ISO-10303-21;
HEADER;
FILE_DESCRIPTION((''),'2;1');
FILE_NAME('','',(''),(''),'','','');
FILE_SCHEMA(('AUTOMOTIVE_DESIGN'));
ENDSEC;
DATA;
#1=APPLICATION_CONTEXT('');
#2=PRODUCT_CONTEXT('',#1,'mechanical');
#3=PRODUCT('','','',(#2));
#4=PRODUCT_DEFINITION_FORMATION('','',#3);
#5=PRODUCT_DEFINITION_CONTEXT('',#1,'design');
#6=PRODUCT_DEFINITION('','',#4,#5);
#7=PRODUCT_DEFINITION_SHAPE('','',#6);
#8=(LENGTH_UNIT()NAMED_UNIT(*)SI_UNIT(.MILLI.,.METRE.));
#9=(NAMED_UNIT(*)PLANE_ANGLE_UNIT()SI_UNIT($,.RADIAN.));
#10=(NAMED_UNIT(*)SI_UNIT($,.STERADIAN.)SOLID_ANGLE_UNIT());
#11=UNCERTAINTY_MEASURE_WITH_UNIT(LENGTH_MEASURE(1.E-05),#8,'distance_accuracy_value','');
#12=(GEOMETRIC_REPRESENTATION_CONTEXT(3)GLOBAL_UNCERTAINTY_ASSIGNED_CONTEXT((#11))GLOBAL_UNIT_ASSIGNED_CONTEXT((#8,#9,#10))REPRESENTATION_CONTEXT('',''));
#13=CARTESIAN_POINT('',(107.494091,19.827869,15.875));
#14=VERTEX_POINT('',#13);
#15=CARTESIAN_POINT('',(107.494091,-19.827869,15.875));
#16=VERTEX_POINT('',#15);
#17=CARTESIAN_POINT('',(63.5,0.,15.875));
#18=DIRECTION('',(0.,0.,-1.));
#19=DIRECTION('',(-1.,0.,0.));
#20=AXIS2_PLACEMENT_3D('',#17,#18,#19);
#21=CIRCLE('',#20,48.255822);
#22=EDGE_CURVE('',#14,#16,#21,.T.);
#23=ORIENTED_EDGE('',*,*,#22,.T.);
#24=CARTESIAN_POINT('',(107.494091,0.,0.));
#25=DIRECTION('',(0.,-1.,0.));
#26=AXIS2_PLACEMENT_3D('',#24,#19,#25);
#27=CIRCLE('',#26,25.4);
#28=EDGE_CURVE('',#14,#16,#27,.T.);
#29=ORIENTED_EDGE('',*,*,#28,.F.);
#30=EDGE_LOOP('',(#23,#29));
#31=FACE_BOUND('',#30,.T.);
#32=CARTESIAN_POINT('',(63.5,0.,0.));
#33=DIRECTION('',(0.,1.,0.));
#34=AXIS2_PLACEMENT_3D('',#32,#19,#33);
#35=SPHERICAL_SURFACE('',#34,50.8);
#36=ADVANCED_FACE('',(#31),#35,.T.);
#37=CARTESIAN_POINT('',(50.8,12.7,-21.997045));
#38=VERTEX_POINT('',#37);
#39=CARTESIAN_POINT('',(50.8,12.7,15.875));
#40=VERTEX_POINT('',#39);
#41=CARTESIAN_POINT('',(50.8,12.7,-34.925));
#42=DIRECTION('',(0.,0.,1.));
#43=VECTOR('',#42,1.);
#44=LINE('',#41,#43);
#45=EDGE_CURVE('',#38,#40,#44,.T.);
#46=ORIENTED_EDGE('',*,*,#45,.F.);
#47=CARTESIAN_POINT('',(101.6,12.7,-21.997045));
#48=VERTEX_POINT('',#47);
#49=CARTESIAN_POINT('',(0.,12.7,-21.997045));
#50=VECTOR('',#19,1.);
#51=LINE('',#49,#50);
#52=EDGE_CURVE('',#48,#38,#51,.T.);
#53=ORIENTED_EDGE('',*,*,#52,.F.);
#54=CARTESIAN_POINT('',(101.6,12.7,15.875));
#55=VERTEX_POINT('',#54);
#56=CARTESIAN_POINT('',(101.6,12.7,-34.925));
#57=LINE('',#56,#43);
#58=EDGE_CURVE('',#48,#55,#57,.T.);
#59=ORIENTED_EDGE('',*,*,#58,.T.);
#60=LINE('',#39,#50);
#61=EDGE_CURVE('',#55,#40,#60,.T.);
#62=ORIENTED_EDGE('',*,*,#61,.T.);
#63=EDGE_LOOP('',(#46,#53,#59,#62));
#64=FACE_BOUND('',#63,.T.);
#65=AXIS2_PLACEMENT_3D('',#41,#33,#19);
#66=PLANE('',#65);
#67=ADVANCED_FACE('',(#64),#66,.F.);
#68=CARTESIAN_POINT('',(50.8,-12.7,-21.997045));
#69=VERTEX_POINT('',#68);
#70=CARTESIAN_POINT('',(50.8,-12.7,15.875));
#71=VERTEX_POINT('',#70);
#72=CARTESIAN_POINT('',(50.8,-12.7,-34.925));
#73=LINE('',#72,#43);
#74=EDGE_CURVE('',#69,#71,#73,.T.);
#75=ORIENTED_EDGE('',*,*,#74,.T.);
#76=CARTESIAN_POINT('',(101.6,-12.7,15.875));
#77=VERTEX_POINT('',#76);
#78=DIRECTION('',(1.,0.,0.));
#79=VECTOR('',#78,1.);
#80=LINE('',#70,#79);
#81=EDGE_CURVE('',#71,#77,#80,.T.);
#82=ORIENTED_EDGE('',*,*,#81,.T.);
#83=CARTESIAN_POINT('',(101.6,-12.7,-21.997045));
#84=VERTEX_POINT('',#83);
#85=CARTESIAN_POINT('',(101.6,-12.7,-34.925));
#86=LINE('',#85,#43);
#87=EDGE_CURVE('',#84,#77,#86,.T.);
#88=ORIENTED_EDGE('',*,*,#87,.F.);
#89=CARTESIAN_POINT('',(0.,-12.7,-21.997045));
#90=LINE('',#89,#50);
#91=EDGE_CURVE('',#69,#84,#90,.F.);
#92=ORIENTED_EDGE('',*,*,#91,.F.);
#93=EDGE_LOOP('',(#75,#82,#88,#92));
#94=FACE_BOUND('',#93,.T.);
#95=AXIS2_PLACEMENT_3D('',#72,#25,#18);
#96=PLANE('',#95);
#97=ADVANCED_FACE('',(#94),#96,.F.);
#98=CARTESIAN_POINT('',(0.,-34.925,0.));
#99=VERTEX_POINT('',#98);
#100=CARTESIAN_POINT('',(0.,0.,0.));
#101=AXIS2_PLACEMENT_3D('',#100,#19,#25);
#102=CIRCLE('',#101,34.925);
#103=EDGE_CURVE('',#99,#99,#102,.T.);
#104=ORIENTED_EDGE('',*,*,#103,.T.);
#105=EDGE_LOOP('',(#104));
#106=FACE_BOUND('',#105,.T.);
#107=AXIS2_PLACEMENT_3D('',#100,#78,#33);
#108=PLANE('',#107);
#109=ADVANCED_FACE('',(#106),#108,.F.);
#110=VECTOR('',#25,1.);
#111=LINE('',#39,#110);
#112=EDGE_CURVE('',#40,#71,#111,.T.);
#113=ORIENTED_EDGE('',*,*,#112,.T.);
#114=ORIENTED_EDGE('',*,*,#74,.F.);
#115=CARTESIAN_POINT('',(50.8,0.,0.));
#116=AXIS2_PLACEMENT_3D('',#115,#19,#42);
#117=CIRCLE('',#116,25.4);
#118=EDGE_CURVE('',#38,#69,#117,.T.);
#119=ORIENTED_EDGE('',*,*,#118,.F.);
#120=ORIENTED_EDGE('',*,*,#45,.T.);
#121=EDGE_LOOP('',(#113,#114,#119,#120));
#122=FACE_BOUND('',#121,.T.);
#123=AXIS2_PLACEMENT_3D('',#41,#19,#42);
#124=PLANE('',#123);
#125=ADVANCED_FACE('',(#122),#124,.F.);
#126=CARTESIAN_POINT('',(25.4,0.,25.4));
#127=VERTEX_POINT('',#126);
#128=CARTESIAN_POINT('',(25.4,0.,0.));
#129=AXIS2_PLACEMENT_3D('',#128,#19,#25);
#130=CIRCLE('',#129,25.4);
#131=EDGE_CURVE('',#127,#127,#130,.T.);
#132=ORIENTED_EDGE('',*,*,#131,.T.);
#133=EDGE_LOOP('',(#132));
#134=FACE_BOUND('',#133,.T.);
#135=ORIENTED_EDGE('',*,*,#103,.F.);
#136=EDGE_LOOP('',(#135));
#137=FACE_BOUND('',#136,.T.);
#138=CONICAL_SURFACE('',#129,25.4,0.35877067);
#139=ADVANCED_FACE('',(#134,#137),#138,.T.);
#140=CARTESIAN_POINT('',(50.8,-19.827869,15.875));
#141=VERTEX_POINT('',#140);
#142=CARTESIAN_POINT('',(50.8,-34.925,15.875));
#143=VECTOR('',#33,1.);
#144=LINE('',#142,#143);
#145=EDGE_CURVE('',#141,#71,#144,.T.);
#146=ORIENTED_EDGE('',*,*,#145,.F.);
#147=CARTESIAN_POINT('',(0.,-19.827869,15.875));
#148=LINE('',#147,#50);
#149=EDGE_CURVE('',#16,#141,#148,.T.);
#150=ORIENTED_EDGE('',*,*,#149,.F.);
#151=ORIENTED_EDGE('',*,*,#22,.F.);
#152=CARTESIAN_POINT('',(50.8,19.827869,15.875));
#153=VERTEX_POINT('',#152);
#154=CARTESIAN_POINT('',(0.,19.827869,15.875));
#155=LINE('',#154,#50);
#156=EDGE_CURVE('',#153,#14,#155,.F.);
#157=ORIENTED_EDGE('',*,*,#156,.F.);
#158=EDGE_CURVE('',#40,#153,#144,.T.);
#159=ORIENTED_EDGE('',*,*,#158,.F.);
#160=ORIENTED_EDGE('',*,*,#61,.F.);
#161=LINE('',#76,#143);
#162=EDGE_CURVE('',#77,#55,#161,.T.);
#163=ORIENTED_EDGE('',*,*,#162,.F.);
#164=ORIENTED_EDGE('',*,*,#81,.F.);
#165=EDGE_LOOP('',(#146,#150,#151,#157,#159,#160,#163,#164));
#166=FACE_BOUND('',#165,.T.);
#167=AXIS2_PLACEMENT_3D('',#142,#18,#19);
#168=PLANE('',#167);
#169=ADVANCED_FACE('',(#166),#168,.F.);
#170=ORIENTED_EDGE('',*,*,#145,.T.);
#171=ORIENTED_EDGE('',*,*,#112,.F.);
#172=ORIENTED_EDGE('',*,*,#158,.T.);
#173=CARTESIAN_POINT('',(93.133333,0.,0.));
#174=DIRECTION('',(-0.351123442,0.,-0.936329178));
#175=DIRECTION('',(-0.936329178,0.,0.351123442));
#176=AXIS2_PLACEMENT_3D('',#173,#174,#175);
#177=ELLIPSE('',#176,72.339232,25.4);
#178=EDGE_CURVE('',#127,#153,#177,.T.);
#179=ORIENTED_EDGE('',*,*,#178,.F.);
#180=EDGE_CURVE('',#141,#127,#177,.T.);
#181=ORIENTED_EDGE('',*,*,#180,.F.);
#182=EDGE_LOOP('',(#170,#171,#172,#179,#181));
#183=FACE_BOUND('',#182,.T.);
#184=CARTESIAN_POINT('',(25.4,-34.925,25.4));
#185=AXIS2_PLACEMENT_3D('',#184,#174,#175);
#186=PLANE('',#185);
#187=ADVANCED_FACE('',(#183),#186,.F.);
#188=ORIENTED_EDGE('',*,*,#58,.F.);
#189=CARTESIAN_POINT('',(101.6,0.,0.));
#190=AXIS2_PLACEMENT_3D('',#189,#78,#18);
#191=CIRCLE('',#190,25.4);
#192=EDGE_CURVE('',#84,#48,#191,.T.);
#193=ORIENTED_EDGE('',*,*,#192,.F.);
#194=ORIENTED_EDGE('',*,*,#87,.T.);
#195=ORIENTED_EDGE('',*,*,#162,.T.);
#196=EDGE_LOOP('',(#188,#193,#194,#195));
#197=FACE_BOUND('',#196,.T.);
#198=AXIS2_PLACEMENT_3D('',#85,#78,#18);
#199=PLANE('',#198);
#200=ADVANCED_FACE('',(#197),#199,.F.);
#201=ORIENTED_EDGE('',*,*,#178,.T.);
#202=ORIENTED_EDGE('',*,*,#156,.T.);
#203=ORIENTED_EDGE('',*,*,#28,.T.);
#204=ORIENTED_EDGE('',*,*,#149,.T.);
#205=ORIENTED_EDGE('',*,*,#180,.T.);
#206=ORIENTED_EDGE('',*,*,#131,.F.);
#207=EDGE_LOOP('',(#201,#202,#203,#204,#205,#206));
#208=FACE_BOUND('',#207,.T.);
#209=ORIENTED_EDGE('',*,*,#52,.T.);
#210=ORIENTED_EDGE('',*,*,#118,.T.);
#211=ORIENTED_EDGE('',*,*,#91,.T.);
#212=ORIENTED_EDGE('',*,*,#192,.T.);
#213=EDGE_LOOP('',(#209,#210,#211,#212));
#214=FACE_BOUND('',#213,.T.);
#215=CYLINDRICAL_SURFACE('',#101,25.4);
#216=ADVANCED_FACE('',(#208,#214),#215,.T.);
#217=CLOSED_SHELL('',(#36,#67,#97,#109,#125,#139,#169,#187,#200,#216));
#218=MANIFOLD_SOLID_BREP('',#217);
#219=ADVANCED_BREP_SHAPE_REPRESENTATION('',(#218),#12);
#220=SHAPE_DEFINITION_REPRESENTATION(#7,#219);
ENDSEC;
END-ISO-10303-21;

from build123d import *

# Parameters (mm, degrees)
CUT_EXTRUDE2_DEPTH      = 35.925
CUT_EXTRUDE2_DEPTH_BACK = 35.925
SKETCH4_W               = 50.8
SKETCH4_H               = 25.4
CUT_EXTRUDE3_DEPTH      = 51.8


with BuildPart() as part:
    # Sketch1 → Revolve1 (revolve)
    with BuildSketch(Plane.XY):
        with BuildLine():
            Line((0, 0), (0, 34.925))
            Line((0, 34.925), (25.4, 25.4))
            Line((25.4, 25.4), (107.494090512, 25.4))
            ThreePointArc((107.494090512, 25.4), (112.569031975, 13.148007491), (114.3, 0))
            Line((114.3, 0), (0, 0))
        make_face()
    revolve(axis=Axis((0, 0, 0), (1, 0, 0)))

    # Sketch3 → Cut-Extrude2 (cut, two sides)
    with BuildSketch(Plane(origin=(0, 0, 0), x_dir=(1, 0, 0), z_dir=(0, 1, 0))) as cut_extrude2_sk:
        Polygon((25.4, -25.4), (50.8, -15.875), (114.3, -15.875), (114.3, -25.4), align=None)
    extrude(amount=CUT_EXTRUDE2_DEPTH, mode=Mode.SUBTRACT)
    extrude(cut_extrude2_sk.sketch, amount=-CUT_EXTRUDE2_DEPTH_BACK, mode=Mode.SUBTRACT)

    # Sketch4 → Cut-Extrude3 (cut, through all)
    with BuildSketch(Plane.XY.offset(15.875)):
        with Locations((76.2, 0)):
            Rectangle(SKETCH4_W, SKETCH4_H)
    extrude(amount=-CUT_EXTRUDE3_DEPTH, mode=Mode.SUBTRACT)


solid = part.part
